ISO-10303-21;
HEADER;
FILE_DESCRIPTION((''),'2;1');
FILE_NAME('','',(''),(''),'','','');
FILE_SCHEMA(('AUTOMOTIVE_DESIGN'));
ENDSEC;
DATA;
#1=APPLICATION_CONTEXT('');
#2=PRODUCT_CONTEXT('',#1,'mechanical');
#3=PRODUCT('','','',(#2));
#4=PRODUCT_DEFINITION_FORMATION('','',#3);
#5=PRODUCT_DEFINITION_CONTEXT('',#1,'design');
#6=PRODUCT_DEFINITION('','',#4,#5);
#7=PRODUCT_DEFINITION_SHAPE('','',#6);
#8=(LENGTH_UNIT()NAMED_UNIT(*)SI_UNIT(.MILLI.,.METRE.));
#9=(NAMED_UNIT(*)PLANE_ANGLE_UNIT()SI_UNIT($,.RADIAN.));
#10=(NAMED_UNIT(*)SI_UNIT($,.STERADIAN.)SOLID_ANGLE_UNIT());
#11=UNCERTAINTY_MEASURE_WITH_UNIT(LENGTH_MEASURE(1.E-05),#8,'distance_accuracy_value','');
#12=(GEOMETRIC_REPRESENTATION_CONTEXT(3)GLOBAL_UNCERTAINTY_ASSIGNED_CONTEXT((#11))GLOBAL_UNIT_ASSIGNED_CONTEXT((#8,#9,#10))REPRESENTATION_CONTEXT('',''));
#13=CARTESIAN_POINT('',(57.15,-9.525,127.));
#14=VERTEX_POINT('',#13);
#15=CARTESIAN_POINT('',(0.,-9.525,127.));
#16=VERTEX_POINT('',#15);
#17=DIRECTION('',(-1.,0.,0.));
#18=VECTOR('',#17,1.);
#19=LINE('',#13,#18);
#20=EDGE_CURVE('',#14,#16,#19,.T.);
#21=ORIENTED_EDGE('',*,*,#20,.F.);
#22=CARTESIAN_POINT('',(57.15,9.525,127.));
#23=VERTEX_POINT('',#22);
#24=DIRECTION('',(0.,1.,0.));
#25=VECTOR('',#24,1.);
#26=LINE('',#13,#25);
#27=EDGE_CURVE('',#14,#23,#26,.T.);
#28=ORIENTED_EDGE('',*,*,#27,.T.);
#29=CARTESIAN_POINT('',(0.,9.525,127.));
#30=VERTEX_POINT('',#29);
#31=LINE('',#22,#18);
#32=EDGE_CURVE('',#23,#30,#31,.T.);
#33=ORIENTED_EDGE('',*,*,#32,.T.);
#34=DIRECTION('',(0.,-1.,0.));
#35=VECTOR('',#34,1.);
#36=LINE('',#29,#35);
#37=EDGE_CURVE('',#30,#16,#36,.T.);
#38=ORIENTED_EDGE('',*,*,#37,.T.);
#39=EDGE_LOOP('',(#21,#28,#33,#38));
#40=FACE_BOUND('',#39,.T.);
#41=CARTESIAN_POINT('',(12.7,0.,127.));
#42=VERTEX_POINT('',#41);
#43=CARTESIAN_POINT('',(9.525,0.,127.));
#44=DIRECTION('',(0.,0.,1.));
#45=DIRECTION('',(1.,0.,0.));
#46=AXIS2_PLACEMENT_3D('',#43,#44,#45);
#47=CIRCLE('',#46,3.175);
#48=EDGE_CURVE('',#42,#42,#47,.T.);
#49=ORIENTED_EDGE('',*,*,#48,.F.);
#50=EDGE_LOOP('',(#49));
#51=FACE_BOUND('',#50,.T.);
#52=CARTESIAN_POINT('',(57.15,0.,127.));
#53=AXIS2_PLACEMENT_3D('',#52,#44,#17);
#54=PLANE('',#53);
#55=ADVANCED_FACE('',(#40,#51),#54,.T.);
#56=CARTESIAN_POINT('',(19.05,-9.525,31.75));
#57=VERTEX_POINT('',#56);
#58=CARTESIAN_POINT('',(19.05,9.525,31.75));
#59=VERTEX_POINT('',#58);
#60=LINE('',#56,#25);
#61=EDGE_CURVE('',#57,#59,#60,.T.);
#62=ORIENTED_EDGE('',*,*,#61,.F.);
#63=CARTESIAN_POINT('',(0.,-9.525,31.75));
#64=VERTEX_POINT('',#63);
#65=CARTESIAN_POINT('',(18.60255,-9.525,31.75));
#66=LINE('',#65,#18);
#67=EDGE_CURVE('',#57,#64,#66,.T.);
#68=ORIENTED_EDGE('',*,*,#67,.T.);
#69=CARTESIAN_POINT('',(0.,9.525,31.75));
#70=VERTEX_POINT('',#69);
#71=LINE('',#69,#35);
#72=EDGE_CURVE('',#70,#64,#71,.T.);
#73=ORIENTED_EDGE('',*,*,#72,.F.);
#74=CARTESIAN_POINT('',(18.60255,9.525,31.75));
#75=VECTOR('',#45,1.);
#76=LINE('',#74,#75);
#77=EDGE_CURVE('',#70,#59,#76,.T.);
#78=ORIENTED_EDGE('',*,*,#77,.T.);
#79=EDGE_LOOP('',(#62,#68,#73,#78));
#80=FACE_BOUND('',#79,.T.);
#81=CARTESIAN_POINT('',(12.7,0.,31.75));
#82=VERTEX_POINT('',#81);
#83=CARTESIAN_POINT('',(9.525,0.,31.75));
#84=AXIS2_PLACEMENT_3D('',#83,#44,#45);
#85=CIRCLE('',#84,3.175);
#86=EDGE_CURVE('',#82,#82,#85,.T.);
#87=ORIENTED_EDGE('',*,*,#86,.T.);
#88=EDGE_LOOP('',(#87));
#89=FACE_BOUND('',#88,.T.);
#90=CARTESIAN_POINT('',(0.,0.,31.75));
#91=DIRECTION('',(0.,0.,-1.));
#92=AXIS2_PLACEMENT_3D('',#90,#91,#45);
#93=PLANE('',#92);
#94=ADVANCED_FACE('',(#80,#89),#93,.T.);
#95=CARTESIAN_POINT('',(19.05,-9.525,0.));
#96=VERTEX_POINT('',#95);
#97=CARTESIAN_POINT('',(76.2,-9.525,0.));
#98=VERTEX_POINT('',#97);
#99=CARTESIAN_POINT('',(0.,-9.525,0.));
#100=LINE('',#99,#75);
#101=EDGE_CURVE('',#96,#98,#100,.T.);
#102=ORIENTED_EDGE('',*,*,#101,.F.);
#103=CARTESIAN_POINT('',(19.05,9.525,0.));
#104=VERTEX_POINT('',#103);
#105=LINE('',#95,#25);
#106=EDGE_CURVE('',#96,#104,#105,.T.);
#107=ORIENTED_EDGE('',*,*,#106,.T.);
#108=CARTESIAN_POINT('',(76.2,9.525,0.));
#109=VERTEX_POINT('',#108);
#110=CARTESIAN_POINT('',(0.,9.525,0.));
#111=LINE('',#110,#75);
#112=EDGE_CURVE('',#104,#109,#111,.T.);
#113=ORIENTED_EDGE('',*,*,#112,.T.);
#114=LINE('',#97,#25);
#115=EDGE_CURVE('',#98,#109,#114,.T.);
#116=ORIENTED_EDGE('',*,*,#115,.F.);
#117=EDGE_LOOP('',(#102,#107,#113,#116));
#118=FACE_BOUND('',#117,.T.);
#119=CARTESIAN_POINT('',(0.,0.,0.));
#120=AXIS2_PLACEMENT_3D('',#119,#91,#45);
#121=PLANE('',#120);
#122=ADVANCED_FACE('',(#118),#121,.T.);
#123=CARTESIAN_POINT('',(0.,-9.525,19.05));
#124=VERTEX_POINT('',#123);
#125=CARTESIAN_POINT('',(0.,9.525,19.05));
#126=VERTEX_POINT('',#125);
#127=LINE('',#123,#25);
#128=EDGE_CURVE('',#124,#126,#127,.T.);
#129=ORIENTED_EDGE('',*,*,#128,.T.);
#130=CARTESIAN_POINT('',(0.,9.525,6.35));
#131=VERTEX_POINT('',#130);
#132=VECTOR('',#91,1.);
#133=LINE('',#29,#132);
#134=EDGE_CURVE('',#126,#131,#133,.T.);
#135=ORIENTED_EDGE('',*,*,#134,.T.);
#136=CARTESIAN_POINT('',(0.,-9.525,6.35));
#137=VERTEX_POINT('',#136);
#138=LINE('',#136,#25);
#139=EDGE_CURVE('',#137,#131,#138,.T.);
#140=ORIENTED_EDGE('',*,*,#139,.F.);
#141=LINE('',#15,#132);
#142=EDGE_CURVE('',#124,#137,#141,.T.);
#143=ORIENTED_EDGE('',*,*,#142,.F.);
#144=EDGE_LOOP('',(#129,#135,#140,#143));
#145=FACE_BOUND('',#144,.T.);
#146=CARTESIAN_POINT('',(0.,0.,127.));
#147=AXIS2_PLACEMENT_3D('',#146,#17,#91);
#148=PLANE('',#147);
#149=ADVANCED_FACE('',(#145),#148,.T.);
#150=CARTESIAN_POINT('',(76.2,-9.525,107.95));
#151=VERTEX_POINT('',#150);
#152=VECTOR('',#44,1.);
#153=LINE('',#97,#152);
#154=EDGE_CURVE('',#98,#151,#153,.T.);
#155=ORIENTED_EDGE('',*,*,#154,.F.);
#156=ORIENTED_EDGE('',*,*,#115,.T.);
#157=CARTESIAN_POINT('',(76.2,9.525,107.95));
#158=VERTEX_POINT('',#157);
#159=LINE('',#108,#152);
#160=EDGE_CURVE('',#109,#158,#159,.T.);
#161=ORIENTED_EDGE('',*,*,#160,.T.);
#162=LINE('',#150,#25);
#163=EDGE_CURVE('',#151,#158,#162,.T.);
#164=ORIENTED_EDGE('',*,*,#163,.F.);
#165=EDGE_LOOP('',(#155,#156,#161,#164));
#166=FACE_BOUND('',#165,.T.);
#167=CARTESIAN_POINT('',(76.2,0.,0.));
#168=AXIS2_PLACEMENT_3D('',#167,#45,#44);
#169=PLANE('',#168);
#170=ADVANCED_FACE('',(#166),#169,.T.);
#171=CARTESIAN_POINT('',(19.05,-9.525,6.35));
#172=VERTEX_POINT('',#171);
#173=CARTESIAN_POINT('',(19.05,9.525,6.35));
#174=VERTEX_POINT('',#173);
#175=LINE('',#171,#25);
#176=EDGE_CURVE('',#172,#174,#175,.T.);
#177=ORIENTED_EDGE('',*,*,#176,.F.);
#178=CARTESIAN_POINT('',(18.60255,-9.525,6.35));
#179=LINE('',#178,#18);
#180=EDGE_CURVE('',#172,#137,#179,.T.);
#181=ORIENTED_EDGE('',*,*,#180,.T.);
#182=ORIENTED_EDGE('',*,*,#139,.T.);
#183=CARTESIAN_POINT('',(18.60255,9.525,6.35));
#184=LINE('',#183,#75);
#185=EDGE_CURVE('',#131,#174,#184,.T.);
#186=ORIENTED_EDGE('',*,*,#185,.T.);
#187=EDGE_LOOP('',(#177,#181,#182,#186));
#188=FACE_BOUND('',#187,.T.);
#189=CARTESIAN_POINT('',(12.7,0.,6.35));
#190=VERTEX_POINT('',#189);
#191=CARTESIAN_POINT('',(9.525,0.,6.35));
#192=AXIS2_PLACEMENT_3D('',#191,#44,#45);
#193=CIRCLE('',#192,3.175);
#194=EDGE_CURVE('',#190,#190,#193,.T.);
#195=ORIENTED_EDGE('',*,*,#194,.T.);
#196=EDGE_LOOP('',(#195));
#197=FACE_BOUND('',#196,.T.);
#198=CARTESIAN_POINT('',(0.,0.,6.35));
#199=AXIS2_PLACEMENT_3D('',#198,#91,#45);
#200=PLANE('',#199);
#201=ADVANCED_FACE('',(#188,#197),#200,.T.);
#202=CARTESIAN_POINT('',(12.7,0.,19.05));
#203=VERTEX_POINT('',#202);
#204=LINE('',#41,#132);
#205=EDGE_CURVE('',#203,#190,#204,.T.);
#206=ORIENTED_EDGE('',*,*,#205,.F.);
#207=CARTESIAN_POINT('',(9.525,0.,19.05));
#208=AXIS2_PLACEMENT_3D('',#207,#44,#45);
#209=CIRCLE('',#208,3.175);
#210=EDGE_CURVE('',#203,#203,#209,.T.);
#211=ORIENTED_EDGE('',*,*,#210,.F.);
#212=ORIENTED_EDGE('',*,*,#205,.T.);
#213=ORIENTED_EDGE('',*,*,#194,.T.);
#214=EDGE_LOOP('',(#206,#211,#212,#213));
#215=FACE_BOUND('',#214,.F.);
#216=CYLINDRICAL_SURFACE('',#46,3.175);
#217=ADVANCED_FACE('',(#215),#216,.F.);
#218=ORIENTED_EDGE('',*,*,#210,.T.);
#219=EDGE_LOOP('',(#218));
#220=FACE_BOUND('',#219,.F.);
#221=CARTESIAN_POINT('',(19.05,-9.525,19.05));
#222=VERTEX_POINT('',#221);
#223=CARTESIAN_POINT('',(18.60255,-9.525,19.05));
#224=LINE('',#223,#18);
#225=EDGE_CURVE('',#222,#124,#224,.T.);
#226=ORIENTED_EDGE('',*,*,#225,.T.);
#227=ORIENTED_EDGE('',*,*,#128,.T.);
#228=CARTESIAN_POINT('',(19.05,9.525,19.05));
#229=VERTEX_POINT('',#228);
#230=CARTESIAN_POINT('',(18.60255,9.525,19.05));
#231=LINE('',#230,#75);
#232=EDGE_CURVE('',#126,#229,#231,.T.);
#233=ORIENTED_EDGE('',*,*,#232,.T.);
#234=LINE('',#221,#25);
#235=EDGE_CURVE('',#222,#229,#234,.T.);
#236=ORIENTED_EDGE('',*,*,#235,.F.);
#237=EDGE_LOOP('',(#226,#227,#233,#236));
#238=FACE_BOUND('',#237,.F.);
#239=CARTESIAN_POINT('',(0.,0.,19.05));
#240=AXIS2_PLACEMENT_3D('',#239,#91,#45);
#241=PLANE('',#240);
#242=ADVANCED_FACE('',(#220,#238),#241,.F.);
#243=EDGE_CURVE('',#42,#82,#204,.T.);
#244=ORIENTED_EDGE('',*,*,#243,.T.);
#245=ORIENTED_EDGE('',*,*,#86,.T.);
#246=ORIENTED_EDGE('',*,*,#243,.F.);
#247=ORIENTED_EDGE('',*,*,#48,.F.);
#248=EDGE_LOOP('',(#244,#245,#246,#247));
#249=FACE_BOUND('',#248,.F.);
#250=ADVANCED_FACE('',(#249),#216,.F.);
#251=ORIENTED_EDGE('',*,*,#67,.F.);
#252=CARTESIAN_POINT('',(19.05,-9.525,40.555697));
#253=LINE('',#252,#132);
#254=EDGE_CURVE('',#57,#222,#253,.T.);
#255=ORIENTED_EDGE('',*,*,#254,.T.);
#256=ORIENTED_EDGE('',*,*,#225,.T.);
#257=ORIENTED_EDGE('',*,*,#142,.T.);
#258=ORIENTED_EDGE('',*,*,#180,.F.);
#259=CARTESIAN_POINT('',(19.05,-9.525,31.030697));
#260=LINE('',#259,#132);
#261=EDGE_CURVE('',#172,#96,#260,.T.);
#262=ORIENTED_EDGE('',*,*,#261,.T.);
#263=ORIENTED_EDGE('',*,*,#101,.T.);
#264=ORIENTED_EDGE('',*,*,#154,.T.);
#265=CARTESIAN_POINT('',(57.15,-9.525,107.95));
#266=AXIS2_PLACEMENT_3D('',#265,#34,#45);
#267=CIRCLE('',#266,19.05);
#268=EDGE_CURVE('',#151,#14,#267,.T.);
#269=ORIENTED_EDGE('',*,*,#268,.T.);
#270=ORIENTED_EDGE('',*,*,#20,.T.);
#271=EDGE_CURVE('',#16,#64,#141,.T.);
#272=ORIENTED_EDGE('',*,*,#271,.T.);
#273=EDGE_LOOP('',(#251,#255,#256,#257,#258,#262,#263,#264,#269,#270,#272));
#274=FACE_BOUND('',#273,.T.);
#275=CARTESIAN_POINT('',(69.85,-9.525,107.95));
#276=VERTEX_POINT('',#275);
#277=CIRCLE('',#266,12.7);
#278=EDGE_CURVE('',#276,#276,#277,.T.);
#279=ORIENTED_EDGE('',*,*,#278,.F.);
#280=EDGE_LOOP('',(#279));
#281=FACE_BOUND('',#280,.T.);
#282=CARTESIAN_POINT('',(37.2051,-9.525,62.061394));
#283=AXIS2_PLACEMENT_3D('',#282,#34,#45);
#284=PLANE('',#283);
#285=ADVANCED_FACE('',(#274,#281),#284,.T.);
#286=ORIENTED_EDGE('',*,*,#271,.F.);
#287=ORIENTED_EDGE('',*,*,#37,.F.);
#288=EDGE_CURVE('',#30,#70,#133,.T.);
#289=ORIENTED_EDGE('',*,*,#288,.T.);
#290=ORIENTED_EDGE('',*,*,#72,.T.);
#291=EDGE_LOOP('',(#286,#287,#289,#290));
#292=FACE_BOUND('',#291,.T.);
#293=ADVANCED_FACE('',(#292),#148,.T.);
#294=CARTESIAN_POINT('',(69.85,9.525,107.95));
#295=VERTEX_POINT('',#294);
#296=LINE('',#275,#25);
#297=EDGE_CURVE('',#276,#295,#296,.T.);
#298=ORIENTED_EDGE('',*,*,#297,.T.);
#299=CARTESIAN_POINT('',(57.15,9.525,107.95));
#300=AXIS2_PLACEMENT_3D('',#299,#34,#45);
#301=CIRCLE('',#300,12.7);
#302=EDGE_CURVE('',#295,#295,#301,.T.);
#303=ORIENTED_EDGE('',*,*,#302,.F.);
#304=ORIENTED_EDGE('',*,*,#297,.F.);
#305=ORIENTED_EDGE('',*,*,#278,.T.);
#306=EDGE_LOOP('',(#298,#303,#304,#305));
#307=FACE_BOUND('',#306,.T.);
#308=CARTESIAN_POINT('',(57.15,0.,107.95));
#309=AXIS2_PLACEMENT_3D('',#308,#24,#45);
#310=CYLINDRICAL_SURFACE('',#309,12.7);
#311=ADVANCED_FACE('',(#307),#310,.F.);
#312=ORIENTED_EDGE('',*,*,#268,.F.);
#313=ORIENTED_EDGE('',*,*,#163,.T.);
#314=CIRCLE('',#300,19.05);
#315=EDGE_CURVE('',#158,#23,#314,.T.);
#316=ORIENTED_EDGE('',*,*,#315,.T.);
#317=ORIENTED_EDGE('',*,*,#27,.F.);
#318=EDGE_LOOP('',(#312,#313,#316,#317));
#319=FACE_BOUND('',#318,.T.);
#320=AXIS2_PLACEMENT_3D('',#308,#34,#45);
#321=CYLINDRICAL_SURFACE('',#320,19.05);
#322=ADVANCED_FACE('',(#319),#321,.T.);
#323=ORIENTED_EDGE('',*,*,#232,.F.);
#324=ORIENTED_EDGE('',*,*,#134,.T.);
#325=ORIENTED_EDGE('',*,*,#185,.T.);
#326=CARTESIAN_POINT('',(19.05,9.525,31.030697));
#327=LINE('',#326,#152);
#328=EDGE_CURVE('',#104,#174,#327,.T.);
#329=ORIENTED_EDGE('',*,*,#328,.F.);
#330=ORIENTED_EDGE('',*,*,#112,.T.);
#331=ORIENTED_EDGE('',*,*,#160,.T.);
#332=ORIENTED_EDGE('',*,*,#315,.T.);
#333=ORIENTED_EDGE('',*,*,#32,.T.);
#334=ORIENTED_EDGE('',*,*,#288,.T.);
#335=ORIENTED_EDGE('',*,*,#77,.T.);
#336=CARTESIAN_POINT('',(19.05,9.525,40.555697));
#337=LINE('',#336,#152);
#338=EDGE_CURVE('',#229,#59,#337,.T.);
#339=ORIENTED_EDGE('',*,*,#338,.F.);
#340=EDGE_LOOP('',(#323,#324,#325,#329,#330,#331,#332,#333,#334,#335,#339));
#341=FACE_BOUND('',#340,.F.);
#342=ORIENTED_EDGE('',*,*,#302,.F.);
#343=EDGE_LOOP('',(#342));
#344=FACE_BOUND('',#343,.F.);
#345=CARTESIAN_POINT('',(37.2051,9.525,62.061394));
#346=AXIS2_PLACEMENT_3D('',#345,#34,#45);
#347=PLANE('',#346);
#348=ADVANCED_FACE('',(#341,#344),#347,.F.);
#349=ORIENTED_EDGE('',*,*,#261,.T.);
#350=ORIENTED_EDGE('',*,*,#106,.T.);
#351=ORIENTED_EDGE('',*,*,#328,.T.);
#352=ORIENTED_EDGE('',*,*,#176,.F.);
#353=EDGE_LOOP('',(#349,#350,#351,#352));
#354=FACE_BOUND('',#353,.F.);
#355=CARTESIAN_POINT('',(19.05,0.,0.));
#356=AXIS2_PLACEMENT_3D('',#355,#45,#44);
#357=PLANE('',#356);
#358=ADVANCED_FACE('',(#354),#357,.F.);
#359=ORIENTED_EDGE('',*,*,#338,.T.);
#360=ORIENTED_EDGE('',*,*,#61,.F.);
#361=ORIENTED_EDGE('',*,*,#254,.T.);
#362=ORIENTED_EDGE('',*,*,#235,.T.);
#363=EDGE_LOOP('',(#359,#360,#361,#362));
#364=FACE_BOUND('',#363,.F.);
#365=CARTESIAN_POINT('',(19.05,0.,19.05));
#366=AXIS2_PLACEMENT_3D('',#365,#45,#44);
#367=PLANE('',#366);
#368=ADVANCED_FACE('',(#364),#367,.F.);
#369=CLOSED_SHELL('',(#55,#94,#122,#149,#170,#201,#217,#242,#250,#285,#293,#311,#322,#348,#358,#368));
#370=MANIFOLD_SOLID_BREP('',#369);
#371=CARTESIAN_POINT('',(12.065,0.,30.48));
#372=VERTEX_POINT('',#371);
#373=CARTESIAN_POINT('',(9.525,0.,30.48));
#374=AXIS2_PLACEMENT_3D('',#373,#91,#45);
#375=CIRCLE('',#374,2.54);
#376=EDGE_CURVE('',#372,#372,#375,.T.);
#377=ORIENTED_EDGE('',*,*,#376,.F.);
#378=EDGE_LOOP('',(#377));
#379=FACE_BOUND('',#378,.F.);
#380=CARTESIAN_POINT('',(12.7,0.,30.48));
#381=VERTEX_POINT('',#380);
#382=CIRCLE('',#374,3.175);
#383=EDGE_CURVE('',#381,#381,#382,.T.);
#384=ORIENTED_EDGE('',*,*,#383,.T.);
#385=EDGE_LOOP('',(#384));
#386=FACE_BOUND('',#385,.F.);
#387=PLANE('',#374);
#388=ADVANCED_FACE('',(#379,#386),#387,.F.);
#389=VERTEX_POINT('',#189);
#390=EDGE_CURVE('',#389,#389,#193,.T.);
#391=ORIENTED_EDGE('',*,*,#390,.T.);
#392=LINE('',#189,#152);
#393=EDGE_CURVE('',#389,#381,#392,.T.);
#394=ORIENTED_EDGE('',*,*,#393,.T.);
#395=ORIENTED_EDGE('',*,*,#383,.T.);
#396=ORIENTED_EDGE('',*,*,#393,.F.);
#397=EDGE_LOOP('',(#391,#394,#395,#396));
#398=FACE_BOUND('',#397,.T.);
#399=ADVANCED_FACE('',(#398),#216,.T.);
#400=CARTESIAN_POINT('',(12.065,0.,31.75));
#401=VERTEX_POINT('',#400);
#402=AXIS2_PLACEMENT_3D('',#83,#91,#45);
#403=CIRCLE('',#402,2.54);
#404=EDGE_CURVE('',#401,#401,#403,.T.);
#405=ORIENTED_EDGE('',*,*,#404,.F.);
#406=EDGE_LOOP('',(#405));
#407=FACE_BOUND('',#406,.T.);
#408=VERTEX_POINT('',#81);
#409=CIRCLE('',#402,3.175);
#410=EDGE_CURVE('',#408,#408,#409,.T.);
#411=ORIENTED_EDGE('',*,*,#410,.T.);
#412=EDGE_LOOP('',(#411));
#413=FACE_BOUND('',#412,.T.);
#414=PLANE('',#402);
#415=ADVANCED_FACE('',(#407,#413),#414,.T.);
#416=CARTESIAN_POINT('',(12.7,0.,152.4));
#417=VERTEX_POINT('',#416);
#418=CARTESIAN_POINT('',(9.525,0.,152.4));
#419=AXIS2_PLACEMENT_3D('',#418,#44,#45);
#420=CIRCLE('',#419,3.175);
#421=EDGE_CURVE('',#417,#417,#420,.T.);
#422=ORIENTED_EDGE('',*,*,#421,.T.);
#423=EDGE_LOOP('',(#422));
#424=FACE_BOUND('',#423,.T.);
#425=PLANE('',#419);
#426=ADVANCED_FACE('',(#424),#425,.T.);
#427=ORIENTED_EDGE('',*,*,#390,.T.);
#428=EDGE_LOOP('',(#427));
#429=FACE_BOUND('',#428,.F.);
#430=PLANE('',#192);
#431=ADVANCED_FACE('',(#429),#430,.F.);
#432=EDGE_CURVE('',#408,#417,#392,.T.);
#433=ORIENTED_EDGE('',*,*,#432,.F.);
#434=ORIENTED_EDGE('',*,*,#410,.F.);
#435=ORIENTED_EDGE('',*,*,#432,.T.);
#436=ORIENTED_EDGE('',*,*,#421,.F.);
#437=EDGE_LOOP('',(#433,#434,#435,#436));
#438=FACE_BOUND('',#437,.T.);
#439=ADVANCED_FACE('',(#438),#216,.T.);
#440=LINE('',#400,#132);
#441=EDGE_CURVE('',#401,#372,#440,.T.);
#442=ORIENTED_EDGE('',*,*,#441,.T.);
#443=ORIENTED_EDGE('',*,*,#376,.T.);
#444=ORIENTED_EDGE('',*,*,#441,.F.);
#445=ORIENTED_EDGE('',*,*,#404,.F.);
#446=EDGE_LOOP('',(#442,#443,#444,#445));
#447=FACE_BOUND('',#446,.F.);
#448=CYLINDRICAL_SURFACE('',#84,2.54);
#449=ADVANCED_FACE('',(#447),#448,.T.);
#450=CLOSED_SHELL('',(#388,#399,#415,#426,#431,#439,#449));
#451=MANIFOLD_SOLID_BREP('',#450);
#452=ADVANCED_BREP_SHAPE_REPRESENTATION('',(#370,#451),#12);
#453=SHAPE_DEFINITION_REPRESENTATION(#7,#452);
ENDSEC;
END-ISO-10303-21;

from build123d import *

# Parameters (mm, degrees)
F0_R          = 12.7
F1_DEPTH      = 9.525
F2_W          = 19.05
F2_H          = 6.35
F2_H_2        = 12.7
F3_DEPTH      = 9.526
F3_DEPTH_BACK = 9.526
F4_R          = 3.175
F5_DEPTH      = 127.001
F6_DEPTH      = 25.4
F6_DEPTH_BACK = 120.65
F7_R          = 3.175
F7_R_2        = 2.54
F8_DEPTH      = 1.27


with BuildPart() as f1:
    # F0 (on Front) → F1 (new body, symmetric)
    with BuildSketch(Plane.XZ):
        with BuildLine():
            Line((57.15, 127), (0, 127))
            Line((0, 127), (0, 0))
            Line((0, 0), (76.2, 0))
            Line((76.2, 0), (76.2, 107.95))
            ThreePointArc((76.2, 107.95), (70.6203841816, 121.4203841816), (57.15, 127))
        make_face()
        with Locations((57.15, 107.95)):
            Circle(F0_R, mode=Mode.SUBTRACT)
    extrude(amount=F1_DEPTH, both=True)

    # F2 (on Front) → F3 (cut, two sides)
    with BuildSketch(Plane.XZ) as f3_sk:
        with Locations((9.525, 3.175)):
            Rectangle(F2_W, F2_H)
        with Locations((9.525, 25.4)):
            Rectangle(F2_W, F2_H_2)
    extrude(amount=-F3_DEPTH, mode=Mode.SUBTRACT)
    extrude(f3_sk.sketch, amount=F3_DEPTH_BACK, mode=Mode.SUBTRACT)

    # F4 (on face) → F5 (cut, through all)
    with BuildSketch(Plane.XY.offset(127)):
        with Locations((9.525, 0)):
            Circle(F4_R)
    extrude(amount=-F5_DEPTH, mode=Mode.SUBTRACT)


with BuildPart() as f6:
    # F4 (on face) → F6 (new body, two sides)
    with BuildSketch(Plane.XY.offset(127)) as f6_sk:
        with Locations((9.525, 0)):
            Circle(F4_R)
    extrude(amount=F6_DEPTH)
    extrude(f6_sk.sketch, amount=-F6_DEPTH_BACK)

    # F7 (on face) → F8 (cut)
    with BuildSketch(Plane(origin=(0, 0, 31.75), x_dir=(1, 0, 0), z_dir=(0, 0, -1))):
        with Locations((9.525, 0)):
            Circle(F7_R)
        with Locations((9.525, 0)):
            Circle(F7_R_2, mode=Mode.SUBTRACT)
    extrude(amount=F8_DEPTH, mode=Mode.SUBTRACT)


solid = Compound([f1.part, f6.part])
